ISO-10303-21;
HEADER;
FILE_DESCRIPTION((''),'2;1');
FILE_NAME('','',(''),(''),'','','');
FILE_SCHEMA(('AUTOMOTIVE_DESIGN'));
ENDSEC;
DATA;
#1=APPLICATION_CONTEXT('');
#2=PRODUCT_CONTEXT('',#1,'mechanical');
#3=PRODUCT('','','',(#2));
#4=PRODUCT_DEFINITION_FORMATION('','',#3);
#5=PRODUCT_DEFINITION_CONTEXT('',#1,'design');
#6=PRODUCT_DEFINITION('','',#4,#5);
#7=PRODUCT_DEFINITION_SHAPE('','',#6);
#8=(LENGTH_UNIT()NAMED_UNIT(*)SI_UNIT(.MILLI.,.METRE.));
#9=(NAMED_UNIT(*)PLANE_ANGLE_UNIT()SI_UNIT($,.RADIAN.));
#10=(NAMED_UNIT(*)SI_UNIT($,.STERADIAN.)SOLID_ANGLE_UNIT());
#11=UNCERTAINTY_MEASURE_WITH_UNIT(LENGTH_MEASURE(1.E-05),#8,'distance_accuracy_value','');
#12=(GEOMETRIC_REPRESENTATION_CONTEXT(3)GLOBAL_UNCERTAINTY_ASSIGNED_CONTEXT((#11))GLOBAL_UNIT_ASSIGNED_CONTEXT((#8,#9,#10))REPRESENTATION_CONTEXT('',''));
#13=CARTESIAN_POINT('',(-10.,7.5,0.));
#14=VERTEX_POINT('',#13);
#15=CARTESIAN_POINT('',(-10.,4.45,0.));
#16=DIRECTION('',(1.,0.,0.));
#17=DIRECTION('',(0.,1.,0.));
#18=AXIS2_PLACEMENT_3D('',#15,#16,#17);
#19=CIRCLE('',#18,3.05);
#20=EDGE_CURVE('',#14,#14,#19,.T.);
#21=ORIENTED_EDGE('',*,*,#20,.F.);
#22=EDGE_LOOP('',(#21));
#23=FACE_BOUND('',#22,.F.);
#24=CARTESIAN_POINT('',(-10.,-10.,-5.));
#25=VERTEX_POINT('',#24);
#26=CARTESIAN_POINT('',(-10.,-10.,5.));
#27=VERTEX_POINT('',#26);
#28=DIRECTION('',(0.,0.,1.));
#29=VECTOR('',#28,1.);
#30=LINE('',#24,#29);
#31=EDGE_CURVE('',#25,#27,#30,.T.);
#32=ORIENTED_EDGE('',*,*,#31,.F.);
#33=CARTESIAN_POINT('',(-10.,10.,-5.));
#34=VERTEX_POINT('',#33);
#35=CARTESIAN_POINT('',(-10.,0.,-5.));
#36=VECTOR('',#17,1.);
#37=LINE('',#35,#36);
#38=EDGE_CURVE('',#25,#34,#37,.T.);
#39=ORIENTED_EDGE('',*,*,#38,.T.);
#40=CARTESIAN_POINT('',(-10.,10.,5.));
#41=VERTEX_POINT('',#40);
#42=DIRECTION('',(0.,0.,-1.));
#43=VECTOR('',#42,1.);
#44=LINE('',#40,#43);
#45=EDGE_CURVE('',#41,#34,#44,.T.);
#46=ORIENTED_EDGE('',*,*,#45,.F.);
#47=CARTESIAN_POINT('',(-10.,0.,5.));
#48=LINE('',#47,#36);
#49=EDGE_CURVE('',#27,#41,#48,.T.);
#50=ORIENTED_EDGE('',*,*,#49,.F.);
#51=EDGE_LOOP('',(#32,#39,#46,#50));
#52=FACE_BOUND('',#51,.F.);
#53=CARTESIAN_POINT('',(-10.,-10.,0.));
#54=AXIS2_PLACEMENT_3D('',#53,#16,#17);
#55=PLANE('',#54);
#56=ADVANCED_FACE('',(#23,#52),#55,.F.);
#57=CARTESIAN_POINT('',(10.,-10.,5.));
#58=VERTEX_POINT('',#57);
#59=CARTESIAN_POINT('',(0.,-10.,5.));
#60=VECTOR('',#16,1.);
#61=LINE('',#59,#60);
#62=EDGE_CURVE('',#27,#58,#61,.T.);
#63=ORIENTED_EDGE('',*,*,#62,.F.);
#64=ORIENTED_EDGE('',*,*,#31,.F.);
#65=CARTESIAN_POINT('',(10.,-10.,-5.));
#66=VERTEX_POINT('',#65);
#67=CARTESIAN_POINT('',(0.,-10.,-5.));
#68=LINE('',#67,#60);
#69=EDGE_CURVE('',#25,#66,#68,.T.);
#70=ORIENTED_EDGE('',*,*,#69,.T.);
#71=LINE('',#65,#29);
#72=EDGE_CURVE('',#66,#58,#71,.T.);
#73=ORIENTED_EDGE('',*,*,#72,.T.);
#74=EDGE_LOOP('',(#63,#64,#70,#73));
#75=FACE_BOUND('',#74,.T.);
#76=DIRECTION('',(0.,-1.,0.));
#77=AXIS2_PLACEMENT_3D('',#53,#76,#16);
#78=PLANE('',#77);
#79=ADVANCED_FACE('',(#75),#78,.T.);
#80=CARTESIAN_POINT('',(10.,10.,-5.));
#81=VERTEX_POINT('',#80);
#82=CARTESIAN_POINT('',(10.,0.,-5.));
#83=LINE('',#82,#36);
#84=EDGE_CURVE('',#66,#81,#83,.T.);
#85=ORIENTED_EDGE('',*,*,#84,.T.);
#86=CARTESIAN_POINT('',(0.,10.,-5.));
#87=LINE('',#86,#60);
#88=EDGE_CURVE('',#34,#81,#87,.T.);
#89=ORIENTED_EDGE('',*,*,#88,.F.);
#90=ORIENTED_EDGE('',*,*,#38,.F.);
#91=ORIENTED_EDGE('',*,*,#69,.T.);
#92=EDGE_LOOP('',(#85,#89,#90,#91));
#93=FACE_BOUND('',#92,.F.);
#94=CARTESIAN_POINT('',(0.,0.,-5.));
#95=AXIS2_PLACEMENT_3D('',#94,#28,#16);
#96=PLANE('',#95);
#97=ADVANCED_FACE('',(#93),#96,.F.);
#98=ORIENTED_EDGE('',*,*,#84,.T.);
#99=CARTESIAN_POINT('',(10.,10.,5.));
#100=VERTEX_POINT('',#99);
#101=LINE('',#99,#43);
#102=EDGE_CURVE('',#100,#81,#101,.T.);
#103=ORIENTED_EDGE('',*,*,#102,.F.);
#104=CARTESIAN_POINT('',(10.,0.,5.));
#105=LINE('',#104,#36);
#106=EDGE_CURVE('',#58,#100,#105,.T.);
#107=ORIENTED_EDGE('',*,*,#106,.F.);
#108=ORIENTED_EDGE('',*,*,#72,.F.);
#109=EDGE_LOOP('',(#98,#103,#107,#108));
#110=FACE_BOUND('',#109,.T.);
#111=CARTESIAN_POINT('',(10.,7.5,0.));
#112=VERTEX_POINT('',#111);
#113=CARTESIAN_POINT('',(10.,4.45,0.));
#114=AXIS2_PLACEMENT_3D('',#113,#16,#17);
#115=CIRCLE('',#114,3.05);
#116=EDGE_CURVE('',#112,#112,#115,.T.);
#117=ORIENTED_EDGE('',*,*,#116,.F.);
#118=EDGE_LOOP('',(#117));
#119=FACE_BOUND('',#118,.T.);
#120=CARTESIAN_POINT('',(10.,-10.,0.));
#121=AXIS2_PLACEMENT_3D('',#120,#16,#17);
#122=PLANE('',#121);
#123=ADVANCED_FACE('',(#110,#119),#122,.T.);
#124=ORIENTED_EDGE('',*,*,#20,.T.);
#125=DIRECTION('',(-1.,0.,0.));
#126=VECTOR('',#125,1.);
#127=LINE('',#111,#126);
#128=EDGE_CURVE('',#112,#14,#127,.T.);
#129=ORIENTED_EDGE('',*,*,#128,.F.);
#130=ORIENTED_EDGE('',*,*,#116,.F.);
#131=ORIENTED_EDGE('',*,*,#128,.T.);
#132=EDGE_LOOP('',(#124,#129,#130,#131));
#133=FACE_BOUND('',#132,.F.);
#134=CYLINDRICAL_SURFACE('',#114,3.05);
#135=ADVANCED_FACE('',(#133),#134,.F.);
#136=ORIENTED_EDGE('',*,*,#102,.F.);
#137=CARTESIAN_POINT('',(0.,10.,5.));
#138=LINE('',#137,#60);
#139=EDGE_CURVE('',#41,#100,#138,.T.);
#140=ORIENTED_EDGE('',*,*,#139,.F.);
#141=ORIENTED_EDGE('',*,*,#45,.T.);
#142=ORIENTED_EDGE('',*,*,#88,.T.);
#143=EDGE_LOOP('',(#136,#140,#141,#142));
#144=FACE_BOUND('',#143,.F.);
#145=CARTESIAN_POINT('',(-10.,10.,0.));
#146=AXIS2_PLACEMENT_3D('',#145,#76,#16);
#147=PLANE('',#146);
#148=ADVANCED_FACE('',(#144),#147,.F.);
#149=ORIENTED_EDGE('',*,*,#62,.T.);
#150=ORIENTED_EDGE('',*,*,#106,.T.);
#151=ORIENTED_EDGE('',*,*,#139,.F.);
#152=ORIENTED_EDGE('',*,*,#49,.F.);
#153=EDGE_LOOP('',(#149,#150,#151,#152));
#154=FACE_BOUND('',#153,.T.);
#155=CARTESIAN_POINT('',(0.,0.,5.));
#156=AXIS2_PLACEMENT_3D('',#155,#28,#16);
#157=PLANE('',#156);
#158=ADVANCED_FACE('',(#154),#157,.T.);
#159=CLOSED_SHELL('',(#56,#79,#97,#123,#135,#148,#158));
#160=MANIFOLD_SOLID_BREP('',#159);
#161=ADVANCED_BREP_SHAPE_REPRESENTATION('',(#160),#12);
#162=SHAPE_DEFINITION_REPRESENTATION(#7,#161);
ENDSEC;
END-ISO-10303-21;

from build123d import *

# Parameters (mm, degrees)
F0_W     = 20
F0_H     = 20
F1_DEPTH = 5
F2_R     = 3.05
F3_DEPTH = 20.001


with BuildPart() as f1:
    # F0 (on Top) → F1 (new body, symmetric)
    with BuildSketch(Plane.XY):
        Rectangle(F0_W, F0_H)
    extrude(amount=F1_DEPTH, both=True)

    # F2 (on face) → F3 (cut, through all)
    with BuildSketch(Plane.YZ.offset(10)):
        with Locations((4.45, 0)):
            Circle(F2_R)
    extrude(amount=-F3_DEPTH, mode=Mode.SUBTRACT)


solid = f1.part
